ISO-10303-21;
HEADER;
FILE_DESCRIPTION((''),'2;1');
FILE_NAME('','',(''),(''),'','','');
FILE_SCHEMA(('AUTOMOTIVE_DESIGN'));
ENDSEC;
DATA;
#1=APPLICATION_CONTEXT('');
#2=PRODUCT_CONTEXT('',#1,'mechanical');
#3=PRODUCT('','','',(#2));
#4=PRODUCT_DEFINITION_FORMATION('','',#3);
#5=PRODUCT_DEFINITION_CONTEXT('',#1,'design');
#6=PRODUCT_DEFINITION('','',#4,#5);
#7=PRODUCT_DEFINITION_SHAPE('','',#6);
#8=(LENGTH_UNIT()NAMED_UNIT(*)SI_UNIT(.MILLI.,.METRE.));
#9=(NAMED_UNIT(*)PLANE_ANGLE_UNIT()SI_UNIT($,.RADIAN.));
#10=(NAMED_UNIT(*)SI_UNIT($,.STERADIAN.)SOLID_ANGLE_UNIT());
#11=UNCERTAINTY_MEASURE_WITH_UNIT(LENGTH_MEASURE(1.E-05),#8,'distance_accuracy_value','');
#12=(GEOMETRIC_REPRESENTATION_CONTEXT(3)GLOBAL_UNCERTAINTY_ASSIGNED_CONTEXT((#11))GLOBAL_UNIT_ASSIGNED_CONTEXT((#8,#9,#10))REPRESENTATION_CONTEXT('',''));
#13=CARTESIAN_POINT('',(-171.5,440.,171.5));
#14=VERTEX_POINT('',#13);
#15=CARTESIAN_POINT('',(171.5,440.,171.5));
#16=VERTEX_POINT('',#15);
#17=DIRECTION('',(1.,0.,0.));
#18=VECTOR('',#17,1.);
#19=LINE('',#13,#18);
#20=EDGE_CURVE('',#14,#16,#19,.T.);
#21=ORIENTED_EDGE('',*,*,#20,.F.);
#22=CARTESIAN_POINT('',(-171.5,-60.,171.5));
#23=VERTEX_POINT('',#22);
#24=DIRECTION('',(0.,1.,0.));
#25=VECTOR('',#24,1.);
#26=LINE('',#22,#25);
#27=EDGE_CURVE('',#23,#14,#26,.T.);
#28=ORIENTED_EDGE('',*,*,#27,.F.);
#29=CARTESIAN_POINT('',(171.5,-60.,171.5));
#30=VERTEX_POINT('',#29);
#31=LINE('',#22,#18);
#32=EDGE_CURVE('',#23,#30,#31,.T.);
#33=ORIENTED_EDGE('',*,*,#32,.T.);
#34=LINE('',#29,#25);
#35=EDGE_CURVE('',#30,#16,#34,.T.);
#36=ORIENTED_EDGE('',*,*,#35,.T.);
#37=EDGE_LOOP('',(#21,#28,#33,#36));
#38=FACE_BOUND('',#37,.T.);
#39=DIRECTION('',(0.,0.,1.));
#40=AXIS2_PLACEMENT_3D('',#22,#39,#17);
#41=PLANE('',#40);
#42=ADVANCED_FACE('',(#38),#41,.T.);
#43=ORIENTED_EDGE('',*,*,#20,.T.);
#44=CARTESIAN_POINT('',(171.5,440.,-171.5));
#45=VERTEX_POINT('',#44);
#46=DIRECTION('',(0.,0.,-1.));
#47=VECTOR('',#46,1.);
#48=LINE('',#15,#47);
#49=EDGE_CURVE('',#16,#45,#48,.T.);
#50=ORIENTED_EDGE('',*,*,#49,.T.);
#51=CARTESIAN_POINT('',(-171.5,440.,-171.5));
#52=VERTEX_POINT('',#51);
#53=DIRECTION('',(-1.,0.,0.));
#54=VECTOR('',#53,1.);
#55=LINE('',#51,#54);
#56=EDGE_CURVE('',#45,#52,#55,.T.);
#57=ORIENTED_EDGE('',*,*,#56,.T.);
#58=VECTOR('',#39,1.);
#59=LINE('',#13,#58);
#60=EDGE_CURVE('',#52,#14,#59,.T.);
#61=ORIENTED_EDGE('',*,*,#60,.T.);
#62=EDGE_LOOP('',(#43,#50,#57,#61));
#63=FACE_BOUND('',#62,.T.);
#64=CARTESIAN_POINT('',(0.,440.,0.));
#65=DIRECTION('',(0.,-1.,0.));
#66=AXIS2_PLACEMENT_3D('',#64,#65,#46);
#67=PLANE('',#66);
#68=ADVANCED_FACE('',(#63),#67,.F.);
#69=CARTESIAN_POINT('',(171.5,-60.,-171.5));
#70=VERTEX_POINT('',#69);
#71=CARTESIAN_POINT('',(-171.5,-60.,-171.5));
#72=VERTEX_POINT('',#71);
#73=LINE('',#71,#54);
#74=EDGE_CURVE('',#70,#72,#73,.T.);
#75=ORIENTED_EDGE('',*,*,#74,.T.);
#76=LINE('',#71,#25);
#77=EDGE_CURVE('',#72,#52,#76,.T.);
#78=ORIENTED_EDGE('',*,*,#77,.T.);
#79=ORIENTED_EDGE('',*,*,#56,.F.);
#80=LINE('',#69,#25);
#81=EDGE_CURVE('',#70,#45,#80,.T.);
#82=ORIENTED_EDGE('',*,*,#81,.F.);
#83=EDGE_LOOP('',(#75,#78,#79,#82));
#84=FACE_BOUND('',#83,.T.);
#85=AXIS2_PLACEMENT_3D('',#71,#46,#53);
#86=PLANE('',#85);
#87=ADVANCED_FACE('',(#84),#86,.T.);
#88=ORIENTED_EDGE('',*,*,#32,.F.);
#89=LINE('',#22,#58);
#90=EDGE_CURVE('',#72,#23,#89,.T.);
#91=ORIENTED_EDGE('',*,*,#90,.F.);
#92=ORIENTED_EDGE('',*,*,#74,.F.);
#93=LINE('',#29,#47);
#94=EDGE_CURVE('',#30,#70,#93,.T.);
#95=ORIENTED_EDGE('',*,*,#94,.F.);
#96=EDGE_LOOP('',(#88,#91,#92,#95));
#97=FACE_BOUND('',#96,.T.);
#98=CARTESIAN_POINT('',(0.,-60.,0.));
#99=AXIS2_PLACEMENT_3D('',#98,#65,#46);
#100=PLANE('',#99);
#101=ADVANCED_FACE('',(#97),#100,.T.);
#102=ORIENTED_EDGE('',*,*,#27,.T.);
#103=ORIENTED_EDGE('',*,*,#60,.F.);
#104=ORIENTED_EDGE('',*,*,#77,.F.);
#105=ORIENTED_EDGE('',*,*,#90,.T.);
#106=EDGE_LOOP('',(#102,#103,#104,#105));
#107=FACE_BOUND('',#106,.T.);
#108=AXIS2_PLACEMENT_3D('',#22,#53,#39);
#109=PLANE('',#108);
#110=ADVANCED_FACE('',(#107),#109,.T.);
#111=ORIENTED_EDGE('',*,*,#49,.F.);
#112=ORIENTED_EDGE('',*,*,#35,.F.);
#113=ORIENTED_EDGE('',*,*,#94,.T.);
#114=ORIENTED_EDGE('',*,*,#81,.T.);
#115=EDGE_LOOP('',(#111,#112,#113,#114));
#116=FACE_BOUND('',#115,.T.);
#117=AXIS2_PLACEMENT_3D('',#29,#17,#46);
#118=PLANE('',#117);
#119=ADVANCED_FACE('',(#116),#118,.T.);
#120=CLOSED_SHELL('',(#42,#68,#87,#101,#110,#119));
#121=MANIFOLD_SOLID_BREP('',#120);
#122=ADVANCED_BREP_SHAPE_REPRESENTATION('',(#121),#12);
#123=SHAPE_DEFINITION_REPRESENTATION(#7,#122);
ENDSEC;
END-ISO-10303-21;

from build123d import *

# Parameters (mm, degrees)
SKETCH1_W                = 343
SKETCH1_H                = 343
BOSS_EXTRUDE1_DEPTH      = 440
BOSS_EXTRUDE1_DEPTH_BACK = 60


with BuildPart() as part:
    # Sketch1 → Boss-Extrude1 (new body, two sides)
    with BuildSketch(Plane(origin=(0, 0, 0), x_dir=(1, 0, 0), z_dir=(0, 1, 0))) as boss_extrude1_sk:
        Rectangle(SKETCH1_W, SKETCH1_H)
    extrude(amount=BOSS_EXTRUDE1_DEPTH)
    extrude(boss_extrude1_sk.sketch, amount=-BOSS_EXTRUDE1_DEPTH_BACK)


solid = part.part
